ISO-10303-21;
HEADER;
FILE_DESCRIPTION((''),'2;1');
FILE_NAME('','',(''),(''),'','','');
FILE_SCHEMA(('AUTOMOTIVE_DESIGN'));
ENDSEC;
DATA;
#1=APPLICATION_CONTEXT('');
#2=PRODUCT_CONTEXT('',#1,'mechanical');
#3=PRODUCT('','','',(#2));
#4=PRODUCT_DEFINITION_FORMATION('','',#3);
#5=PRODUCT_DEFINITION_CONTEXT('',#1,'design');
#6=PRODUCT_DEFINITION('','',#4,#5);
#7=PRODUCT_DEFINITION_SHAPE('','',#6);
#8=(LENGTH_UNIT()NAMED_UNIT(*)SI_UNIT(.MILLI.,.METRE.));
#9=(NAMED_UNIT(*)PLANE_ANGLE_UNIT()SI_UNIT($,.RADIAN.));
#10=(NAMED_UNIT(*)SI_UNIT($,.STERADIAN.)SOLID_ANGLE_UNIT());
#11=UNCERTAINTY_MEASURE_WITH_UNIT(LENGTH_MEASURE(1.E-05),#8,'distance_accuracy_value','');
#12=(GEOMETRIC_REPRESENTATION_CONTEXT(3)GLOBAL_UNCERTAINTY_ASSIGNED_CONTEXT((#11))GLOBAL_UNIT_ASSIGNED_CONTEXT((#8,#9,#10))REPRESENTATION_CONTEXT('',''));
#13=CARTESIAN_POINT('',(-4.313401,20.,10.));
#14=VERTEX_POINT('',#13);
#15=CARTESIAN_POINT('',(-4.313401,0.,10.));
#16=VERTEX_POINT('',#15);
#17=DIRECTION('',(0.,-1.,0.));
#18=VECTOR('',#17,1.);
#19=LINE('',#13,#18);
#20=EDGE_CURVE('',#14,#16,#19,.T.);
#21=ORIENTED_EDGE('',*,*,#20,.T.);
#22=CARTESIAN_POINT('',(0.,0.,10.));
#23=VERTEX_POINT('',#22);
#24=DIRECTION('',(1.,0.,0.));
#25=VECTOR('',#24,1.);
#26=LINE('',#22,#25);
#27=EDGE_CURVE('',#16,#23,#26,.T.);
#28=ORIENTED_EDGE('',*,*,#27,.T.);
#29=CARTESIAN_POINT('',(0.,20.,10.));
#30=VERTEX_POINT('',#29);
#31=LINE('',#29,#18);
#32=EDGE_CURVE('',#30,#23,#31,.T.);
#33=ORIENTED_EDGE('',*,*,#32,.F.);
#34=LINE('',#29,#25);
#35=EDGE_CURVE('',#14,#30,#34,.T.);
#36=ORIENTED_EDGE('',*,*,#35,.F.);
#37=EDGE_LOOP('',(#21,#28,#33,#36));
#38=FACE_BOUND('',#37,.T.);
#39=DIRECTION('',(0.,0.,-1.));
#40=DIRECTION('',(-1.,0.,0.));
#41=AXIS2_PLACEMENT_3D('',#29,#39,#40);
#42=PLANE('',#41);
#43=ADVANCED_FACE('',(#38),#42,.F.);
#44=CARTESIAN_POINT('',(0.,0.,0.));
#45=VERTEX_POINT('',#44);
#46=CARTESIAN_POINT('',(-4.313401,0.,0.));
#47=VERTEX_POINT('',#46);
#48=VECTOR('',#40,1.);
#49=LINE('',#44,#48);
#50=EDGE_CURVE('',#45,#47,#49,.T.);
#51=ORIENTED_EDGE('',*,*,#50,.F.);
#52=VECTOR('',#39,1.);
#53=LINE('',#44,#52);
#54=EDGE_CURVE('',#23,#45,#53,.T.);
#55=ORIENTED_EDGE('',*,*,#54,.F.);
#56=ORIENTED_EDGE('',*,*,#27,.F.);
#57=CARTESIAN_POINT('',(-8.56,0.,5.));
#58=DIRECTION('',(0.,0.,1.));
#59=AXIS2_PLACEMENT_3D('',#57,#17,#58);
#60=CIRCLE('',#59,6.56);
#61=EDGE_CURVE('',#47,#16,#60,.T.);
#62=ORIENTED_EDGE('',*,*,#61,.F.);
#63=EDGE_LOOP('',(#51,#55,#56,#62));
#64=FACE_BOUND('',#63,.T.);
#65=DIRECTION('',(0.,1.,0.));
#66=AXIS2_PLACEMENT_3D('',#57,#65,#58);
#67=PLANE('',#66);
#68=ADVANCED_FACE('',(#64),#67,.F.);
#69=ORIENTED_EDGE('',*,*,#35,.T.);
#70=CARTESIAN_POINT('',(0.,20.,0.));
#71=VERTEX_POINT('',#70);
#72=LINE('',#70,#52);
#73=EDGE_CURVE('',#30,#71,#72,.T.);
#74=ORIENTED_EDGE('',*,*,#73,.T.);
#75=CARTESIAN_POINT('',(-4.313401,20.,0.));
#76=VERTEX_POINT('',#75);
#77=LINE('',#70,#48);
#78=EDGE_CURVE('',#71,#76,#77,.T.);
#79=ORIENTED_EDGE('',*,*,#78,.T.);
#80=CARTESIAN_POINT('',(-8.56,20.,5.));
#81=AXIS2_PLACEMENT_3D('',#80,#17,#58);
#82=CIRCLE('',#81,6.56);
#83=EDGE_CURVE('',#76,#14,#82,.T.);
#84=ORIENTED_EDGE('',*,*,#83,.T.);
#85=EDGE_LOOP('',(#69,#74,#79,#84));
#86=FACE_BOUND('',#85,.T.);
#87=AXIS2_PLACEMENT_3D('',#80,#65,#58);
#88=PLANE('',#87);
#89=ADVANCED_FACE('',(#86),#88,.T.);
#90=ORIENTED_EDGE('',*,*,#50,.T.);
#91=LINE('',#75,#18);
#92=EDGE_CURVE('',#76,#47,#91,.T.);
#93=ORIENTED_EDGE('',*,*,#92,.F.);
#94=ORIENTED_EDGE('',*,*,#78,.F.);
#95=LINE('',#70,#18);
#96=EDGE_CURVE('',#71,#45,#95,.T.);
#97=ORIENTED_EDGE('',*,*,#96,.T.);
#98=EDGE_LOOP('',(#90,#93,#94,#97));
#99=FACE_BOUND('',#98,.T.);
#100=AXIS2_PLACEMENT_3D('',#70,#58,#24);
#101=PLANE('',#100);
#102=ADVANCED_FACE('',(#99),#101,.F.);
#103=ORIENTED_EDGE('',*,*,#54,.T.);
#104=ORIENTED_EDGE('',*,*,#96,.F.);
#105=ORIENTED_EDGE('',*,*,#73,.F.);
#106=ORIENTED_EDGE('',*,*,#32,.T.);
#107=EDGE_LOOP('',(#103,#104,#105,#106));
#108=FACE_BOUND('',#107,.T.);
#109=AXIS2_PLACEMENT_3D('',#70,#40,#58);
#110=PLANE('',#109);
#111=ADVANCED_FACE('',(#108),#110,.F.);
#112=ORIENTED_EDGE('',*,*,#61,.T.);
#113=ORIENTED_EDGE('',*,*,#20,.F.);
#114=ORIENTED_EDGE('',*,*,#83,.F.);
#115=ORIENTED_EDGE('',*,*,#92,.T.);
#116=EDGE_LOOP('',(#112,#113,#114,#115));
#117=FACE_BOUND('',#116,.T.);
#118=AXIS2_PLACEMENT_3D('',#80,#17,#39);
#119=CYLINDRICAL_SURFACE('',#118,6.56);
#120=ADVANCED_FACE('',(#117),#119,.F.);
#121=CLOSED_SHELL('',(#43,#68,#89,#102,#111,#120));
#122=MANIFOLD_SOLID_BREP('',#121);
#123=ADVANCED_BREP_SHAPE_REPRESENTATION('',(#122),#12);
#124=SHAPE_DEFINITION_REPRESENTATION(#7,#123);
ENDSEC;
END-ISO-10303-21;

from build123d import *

# Parameters (mm, degrees)
EXTRUDE_1_DEPTH = 20


with BuildPart() as part:
    # 草图1 → 凸台-拉伸1 (new body)
    with BuildSketch(Plane(origin=(0, 0, 0), x_dir=(1, 0, 0), z_dir=(0, 1, 0))):
        with BuildLine():
            Line((0, 0), (0, -10))
            Line((0, -10), (-4.313401361, -10))
            ThreePointArc((-4.313401361, -10), (-2, -5), (-4.313401361, 0))
            Line((-4.313401361, 0), (0, 0))
        make_face()
    extrude(amount=EXTRUDE_1_DEPTH)


solid = part.part
